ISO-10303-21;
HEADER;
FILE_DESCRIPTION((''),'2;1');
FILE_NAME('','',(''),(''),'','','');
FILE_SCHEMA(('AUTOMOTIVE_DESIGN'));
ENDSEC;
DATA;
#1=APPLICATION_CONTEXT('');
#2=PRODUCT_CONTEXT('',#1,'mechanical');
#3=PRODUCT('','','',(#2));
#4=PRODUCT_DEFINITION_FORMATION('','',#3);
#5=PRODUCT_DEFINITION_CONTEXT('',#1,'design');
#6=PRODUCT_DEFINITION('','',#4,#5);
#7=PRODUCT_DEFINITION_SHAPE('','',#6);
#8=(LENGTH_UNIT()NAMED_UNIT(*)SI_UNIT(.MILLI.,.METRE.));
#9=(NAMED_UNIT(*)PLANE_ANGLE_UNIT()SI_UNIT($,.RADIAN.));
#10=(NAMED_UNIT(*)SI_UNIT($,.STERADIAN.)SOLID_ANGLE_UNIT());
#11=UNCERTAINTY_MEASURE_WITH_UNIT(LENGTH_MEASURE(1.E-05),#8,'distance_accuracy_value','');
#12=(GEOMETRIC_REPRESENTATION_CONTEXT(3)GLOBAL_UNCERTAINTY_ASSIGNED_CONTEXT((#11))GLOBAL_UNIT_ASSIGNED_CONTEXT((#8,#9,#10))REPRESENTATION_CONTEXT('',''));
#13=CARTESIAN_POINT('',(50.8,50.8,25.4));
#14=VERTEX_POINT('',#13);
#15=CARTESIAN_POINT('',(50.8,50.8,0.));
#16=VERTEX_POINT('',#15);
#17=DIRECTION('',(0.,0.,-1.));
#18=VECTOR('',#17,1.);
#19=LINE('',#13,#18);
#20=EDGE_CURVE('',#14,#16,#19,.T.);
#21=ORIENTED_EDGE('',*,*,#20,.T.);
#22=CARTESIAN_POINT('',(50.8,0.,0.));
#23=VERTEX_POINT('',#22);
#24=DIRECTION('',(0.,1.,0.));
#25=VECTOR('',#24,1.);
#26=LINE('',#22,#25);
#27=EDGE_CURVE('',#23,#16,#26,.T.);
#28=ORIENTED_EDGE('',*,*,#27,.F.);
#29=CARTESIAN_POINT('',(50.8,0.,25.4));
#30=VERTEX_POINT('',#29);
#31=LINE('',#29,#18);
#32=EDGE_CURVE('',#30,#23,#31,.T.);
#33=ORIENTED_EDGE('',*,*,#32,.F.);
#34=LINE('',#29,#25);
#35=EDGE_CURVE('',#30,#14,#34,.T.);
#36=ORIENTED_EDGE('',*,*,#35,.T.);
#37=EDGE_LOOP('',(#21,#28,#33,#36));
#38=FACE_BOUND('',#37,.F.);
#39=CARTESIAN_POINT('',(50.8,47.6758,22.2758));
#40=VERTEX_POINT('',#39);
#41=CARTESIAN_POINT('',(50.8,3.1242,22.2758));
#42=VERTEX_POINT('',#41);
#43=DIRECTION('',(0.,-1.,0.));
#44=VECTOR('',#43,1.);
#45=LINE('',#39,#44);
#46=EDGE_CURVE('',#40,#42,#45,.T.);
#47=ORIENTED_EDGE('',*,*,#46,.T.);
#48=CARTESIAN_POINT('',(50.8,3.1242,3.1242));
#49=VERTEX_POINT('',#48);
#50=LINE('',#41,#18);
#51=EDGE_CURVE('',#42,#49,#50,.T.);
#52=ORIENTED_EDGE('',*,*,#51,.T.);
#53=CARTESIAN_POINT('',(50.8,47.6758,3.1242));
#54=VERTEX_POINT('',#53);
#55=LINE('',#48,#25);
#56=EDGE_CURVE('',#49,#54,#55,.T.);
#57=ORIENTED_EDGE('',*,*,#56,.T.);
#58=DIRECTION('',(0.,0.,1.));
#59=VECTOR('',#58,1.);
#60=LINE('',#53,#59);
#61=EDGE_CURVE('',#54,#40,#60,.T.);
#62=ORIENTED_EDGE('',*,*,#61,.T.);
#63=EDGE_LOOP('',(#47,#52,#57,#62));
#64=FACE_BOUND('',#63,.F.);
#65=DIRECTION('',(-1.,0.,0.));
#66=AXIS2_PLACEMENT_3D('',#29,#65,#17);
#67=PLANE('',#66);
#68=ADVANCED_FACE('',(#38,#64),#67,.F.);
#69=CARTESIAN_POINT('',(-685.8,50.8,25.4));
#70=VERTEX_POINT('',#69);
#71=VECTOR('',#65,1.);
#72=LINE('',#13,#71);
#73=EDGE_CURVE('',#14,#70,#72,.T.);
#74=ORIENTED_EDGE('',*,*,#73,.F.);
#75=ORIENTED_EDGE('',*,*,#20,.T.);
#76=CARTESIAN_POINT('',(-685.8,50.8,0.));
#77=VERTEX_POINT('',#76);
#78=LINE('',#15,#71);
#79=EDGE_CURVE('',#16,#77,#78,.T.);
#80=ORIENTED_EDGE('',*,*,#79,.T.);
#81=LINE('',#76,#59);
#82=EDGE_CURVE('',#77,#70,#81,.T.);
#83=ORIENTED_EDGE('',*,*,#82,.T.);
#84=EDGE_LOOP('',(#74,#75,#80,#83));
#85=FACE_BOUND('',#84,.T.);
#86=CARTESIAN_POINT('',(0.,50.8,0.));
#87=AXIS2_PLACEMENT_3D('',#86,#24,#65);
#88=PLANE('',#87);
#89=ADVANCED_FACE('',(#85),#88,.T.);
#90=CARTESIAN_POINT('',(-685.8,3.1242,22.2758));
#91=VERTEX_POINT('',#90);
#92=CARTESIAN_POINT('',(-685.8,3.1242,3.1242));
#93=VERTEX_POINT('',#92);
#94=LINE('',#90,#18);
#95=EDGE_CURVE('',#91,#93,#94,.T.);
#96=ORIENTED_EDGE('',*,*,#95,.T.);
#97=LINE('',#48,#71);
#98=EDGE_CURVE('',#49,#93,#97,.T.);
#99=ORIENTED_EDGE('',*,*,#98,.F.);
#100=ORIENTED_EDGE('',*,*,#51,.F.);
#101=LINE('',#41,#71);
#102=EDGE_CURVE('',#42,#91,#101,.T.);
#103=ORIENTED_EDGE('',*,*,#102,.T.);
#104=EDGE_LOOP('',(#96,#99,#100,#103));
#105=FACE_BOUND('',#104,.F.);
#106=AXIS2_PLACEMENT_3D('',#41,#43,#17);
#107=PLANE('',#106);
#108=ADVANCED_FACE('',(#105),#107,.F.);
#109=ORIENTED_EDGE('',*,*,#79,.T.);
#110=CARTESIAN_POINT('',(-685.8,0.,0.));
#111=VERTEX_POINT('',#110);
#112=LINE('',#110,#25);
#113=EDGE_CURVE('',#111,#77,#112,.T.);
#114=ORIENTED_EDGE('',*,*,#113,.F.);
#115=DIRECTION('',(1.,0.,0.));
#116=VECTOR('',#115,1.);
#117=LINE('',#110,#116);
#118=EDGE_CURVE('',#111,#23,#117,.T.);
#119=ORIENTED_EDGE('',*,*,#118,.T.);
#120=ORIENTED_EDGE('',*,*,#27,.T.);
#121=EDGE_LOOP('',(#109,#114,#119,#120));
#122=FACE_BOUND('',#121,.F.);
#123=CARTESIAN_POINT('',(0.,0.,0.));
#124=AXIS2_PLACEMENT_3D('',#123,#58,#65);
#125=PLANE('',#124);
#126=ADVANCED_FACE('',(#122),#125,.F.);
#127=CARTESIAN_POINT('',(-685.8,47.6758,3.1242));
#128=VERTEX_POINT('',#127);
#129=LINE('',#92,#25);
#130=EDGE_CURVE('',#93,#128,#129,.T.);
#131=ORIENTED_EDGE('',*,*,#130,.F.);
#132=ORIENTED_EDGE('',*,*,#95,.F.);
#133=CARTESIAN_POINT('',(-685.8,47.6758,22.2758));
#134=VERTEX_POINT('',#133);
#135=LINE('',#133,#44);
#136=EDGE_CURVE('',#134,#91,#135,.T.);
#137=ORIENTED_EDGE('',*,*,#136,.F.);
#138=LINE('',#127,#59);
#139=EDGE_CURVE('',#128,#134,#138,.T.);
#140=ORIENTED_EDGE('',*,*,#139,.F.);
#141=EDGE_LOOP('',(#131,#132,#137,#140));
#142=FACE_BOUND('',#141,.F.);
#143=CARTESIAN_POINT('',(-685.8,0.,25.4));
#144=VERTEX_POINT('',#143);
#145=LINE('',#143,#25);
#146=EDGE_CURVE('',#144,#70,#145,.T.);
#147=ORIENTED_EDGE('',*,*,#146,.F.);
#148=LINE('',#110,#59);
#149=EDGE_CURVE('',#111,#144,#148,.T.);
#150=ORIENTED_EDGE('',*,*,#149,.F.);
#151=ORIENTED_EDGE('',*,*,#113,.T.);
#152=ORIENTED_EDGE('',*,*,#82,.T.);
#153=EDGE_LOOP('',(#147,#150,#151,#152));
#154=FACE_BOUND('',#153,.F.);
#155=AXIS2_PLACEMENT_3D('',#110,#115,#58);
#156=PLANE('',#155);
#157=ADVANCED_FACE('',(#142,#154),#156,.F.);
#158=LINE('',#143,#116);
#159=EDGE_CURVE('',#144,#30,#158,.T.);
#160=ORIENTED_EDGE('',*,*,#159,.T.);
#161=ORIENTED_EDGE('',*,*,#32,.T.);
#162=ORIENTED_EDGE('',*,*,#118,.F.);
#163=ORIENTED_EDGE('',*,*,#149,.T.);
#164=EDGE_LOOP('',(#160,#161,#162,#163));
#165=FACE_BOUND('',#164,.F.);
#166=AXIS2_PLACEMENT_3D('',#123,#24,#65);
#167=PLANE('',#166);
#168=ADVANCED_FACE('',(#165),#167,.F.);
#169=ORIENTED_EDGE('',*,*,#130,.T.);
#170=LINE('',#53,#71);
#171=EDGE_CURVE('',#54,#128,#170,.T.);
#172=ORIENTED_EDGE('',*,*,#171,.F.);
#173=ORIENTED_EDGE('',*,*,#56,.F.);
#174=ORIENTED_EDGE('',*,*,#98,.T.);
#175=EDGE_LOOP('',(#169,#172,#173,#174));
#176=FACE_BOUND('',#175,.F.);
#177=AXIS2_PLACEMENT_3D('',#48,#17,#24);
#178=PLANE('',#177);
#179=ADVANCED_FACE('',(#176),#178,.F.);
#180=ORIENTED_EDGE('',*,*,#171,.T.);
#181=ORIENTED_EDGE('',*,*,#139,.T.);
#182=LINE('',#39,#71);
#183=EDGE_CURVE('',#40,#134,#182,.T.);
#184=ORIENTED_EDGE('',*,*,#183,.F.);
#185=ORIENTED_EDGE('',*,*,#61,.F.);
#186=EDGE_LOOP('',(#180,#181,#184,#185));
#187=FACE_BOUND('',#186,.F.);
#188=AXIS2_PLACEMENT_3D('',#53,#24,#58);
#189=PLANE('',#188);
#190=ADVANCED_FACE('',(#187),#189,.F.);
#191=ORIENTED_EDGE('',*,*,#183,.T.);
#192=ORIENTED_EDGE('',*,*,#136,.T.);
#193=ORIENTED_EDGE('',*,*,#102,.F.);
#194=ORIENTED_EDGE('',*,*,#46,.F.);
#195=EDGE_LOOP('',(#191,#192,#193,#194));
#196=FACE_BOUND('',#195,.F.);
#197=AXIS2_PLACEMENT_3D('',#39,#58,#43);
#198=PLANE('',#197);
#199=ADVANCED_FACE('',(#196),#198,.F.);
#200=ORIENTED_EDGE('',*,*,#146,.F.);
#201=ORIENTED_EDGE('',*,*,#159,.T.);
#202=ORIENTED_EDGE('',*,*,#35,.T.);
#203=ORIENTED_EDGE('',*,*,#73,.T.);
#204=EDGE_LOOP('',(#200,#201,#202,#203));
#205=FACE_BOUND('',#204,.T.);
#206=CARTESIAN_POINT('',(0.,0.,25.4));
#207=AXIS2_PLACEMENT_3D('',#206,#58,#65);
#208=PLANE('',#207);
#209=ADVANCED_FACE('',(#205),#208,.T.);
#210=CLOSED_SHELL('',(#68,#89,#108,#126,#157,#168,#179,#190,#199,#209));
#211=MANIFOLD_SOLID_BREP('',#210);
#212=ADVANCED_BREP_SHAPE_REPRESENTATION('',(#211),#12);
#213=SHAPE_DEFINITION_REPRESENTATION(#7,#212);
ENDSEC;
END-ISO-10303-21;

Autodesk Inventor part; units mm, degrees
ref_plane "YZ Plane" through (0, 0, 0) normal (1, 0, 0) x (0, 1, 0)
ref_plane "XZ Plane" through (0, 0, 0) normal (0, 1, 0) x (-1, 0, 0)
ref_plane "XY Plane" through (0, 0, 0) normal (0, 0, 1) x (1, 0, 0)
sketch "Sketch1" plane through (0, 0, 0) normal (0, 1, 0) x (-1, 0, 0)
  line L0 (0, 25.4) -> (685.8, 25.4)
  line L1 (0, 0) -> (685.8, 0)
  line L2 (685.8, 0) -> (685.8, 25.4)
  line L3 (0, 0) -> (-50.8, 0)
  line L4 (0, 25.4) -> (-50.8, 25.4)
  line L5 (-50.8, 25.4) -> (-50.8, 0)
  dimension "d0" = 25.4
  dimension "d1" = 685.8
  dimension "d20" = 50.8
extrude "Extrusion1" add sketch "Sketch1" along normal blind 50.8
sketch "Sketch6" plane through (50.8, 0, 25.4) normal (1, 0, 0) x (0, 0, -1)
  line L0 (0, 50.8) -> (0, 0)
  line L1 (0, 0) -> (25.4, 0)
  line L2 (25.4, 0) -> (25.4, 50.8)
  line L3 (25.4, 50.8) -> (0, 50.8)
  line L4 (25.4, 50.8) -> (0, 50.8) projected
  line L5 (3.1242, 47.6758) -> (3.1242, 3.1242)
  line L6 (3.1242, 3.1242) -> (22.2758, 3.1242)
  line L7 (22.2758, 3.1242) -> (22.2758, 47.6758)
  line L8 (22.2758, 47.6758) -> (3.1242, 47.6758)
  dimension "d21" = 3.1242
extrude "Extrusion4" cut sketch "Sketch6" against normal blind 736.6 contours L8 L7 L6 L5
sketch "Sketch7" plane through (0, 50.8, 0) normal (0, 1, 0) x (1, 0, 0)
  point P0 (0, 0)
  point P1 (0, -12.7)
properties part number "Arm" material "Aluminum 6061"
